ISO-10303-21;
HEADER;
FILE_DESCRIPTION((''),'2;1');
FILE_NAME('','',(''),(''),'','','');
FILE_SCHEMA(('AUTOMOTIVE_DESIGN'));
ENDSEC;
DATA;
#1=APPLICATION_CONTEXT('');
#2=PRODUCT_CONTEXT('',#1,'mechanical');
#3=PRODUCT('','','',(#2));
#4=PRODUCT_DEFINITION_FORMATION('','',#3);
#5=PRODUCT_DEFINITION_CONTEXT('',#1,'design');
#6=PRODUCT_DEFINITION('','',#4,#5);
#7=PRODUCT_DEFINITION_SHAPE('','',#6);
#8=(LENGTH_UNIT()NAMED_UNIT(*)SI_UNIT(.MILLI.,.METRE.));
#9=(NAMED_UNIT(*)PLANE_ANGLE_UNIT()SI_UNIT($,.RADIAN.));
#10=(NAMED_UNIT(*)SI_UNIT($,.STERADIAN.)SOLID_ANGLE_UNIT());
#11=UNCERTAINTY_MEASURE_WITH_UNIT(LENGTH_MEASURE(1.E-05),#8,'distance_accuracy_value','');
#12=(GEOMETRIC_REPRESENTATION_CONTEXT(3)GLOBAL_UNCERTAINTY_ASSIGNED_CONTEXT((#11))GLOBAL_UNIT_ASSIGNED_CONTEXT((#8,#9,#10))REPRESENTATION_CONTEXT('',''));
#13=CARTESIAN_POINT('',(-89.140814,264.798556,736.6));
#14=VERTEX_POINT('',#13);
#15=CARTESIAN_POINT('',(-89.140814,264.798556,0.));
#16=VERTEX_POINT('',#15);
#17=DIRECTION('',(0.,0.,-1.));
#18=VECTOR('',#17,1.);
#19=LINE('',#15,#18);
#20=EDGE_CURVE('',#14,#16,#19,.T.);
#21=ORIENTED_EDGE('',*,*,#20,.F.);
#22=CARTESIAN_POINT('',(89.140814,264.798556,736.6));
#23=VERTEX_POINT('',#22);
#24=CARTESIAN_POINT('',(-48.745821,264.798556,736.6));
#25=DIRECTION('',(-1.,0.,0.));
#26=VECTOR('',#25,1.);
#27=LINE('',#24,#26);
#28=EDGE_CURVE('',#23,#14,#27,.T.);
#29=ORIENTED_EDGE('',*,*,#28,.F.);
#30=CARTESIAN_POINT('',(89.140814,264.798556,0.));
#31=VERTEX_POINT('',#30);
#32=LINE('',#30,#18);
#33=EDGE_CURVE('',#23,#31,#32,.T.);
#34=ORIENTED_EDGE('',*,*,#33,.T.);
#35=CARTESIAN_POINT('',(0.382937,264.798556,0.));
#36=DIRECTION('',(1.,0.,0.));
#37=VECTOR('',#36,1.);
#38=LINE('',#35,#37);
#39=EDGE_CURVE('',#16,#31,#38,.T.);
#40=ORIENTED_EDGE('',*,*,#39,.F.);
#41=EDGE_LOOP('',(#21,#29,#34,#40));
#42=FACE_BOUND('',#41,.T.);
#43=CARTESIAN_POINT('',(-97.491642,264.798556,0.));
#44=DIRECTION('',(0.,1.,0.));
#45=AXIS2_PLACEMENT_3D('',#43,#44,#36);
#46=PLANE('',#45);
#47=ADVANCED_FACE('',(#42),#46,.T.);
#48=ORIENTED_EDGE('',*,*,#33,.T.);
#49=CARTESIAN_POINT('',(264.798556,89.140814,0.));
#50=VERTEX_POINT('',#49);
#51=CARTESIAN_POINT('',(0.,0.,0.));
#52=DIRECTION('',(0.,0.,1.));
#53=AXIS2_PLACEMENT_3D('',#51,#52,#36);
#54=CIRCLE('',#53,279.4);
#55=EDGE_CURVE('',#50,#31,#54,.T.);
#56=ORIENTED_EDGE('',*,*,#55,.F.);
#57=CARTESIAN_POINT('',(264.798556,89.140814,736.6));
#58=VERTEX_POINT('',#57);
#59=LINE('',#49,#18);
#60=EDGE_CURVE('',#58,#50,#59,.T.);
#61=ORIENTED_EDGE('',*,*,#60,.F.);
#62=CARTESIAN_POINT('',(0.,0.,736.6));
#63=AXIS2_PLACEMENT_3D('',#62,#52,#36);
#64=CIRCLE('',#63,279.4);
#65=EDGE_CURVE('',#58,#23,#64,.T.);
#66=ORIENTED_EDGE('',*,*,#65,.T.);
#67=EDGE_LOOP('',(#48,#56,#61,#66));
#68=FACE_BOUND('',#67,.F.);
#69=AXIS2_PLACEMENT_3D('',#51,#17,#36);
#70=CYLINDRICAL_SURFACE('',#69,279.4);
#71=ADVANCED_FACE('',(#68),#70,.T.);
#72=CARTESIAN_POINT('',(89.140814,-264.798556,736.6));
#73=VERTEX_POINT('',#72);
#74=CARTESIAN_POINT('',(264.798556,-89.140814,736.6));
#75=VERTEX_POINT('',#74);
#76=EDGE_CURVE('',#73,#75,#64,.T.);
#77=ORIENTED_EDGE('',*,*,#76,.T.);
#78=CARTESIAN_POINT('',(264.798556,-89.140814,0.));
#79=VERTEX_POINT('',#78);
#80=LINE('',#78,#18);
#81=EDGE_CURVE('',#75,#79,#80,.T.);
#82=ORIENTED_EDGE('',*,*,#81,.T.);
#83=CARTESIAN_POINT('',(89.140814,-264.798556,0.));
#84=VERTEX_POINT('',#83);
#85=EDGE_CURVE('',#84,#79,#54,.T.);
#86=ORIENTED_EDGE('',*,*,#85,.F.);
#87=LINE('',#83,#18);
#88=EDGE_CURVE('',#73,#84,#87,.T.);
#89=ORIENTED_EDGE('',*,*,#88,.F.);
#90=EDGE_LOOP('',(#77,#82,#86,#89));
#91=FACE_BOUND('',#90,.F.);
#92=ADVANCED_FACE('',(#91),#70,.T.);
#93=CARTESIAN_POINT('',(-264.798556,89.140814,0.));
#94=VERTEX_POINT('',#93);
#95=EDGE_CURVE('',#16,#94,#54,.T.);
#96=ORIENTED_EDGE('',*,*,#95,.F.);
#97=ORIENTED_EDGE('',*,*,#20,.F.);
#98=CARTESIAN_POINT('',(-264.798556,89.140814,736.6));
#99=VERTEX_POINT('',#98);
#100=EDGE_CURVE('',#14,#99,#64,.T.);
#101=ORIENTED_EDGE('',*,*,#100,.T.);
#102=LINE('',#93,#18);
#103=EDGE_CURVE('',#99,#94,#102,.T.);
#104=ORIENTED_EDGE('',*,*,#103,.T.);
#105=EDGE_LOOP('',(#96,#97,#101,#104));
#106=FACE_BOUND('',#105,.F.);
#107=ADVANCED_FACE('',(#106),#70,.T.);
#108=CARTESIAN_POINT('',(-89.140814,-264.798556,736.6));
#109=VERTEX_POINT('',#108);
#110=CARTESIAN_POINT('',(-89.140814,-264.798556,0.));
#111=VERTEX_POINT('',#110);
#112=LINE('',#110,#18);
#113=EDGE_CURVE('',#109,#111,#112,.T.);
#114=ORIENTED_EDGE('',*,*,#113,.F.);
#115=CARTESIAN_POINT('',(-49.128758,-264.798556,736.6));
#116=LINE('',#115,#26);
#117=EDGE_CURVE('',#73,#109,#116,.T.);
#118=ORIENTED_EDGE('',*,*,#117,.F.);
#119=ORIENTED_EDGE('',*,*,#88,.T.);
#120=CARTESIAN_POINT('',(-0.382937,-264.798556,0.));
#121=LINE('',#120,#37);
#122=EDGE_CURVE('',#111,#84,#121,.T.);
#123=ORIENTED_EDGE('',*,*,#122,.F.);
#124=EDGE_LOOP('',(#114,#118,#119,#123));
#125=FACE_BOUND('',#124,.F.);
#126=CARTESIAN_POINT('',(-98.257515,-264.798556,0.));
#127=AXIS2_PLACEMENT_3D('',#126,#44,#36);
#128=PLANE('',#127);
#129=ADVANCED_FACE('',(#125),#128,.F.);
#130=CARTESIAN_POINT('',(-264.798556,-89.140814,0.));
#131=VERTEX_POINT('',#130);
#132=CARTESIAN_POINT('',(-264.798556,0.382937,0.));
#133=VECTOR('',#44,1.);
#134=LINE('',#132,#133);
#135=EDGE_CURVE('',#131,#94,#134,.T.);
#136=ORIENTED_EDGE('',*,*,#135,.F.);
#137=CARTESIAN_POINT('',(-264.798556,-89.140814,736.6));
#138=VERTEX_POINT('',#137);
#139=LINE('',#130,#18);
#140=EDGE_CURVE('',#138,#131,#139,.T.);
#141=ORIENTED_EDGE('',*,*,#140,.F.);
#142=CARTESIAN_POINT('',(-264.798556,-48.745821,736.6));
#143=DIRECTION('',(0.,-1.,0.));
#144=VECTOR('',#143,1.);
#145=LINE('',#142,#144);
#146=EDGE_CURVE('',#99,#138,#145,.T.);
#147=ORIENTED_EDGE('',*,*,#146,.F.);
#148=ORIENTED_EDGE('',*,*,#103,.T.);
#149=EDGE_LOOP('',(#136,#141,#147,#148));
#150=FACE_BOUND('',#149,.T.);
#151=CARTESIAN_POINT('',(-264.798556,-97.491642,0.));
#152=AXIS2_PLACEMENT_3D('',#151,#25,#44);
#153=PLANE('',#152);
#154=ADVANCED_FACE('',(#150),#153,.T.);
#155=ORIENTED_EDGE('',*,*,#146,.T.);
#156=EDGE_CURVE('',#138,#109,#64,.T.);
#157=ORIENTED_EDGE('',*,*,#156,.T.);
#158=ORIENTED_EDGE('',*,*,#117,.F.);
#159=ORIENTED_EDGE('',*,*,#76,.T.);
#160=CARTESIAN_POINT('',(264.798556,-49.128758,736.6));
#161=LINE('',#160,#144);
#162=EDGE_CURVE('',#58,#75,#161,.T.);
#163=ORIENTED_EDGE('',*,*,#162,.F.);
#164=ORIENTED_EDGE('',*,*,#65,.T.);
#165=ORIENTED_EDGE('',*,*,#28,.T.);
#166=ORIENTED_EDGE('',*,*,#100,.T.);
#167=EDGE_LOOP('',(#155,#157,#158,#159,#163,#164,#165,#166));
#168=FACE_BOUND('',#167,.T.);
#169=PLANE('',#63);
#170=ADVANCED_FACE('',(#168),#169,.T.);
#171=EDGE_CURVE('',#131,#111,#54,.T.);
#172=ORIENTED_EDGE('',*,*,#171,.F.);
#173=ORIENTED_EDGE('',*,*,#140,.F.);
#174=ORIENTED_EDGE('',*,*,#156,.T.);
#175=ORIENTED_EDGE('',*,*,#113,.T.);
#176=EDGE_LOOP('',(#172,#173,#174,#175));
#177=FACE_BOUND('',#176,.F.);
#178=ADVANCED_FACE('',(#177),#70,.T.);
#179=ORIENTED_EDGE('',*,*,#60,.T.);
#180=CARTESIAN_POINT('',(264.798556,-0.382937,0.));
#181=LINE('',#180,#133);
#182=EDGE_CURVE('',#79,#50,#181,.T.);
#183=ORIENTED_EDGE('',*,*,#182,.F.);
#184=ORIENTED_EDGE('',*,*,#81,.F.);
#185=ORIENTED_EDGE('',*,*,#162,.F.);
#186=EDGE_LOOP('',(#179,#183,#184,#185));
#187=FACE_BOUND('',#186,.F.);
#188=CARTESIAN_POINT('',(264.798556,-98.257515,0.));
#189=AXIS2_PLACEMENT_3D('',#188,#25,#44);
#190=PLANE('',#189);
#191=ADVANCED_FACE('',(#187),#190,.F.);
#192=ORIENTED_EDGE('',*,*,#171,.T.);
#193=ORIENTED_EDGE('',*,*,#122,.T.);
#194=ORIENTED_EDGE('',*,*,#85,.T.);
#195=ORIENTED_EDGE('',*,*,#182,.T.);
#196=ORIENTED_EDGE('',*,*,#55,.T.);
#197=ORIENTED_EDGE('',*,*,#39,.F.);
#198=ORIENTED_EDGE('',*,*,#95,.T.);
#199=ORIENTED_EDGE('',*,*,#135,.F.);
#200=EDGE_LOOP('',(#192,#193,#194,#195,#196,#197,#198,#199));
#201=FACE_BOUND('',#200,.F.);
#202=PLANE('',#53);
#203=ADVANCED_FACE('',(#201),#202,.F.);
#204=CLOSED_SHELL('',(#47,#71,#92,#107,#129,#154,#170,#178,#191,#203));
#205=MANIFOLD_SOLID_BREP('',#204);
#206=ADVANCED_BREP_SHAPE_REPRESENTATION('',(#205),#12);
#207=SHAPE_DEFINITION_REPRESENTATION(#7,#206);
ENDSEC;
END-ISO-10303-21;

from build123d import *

# Parameters (mm, degrees)
F0_R     = 279.4
F1_DEPTH = 736.6
F2_W     = 195.749157
F2_H     = 25.4
F2_W_2   = 25.4
F2_H_2   = 195.749157
F3_DEPTH = 1010.92


with BuildPart() as f1:
    # F0 (on Top) → F1 (new body)
    with BuildSketch(Plane.XY):
        Circle(F0_R)
    extrude(amount=F1_DEPTH)

    # F2 (on Top) → F3 (cut)
    with BuildSketch(Plane.XY):
        with Locations((0.382937, 277.498556)):
            Rectangle(F2_W, F2_H)
        with Locations((-277.498556, 0.382937)):
            Rectangle(F2_W_2, F2_H_2)
        with Locations((-0.382937, -277.498556)):
            Rectangle(F2_W, F2_H)
        with Locations((277.498556, -0.382937)):
            Rectangle(F2_W_2, F2_H_2)
    extrude(amount=F3_DEPTH, mode=Mode.SUBTRACT)


solid = f1.part
